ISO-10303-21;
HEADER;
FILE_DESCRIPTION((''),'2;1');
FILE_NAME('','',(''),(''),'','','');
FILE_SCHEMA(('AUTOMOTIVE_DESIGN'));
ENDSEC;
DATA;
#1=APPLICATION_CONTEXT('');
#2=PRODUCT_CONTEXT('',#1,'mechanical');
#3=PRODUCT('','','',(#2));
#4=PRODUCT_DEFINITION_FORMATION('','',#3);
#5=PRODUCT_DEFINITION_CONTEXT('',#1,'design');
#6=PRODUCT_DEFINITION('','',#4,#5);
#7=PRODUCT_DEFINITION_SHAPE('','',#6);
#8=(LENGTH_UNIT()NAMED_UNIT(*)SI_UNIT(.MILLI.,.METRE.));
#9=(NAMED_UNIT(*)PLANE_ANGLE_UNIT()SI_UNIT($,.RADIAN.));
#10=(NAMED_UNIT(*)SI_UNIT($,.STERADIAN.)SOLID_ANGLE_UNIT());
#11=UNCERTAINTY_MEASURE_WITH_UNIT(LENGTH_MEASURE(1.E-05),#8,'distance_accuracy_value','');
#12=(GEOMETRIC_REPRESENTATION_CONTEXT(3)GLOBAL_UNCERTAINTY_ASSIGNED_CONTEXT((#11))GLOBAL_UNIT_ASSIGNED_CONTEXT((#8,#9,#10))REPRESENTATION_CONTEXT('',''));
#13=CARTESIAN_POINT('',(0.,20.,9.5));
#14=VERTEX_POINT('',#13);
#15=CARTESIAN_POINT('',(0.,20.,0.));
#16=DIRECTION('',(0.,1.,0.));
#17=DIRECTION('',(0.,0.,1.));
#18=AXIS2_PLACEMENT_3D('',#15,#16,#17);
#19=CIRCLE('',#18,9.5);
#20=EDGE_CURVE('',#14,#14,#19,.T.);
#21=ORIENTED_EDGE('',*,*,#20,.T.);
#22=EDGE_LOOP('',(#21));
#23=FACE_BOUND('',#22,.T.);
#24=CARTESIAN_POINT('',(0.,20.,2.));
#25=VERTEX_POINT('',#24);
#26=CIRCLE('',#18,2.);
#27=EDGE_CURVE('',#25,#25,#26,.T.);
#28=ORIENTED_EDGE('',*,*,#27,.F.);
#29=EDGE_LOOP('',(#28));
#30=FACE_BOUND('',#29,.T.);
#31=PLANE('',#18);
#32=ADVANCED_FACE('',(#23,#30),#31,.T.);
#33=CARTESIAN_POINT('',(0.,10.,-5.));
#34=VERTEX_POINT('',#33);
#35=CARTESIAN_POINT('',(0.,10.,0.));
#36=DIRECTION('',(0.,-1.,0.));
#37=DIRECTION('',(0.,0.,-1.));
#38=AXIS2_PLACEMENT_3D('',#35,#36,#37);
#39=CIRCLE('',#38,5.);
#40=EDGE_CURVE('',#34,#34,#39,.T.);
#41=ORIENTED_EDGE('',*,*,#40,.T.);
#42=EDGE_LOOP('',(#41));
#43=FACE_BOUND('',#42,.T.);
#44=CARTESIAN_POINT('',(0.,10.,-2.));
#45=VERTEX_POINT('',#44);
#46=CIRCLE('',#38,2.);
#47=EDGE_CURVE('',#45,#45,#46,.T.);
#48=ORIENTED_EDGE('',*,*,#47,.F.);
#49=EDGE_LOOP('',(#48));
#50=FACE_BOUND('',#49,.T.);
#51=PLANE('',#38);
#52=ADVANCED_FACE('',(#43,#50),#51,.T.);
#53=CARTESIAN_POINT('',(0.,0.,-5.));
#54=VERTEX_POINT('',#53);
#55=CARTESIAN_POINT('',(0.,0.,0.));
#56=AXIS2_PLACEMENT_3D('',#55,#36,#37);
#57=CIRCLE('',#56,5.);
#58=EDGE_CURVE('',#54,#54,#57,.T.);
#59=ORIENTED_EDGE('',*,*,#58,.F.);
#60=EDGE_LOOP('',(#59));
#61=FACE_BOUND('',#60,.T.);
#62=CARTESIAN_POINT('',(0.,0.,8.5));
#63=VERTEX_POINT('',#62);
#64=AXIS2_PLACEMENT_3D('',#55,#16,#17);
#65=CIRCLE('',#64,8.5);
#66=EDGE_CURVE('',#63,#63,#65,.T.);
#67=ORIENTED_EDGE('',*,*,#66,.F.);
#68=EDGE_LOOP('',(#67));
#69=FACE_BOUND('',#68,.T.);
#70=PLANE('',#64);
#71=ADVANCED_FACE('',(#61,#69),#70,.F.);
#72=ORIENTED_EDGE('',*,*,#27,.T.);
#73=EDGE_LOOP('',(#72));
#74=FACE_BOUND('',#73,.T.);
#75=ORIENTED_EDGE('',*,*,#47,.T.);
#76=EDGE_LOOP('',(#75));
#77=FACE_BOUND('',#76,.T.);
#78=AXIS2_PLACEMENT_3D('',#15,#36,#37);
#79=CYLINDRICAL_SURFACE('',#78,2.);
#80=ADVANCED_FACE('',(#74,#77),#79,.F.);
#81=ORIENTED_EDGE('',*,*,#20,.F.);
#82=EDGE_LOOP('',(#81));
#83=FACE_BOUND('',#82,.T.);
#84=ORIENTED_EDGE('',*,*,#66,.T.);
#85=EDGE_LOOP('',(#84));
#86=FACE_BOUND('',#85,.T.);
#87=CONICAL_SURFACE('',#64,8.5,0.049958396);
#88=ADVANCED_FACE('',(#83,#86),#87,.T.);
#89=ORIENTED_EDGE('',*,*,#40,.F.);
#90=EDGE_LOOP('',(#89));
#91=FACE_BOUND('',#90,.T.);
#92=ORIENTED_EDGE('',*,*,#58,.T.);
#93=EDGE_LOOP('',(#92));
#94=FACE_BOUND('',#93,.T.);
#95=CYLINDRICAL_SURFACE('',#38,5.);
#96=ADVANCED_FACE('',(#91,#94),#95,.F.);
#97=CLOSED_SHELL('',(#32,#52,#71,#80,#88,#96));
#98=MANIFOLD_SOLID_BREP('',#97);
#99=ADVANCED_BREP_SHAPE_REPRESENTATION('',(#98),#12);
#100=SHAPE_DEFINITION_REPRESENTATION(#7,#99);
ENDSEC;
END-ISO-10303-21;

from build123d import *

# Parameters (mm, degrees)
SKETCH1_R           = 9.5
SKETCH1_R_2         = 2
BOSS_EXTRUDE1_DEPTH = 20
SKETCH3_R           = 5
CUT_EXTRUDE1_DEPTH  = 10


with BuildPart() as part:
    # Sketch1 → Boss-Extrude1 (new body)
    with BuildSketch(Plane(origin=(0, 0, 0), x_dir=(1, 0, 0), z_dir=(0, 1, 0))):
        with Locations(Location((0, 0, 0), (0, 0, 270))):
            Circle(SKETCH1_R)
        with Locations(Location((0, 0, 0), (0, 0, 270))):
            Circle(SKETCH1_R_2, mode=Mode.SUBTRACT)
    extrude(amount=BOSS_EXTRUDE1_DEPTH)

    # Sketch2 → Cut-Revolve1 (revolve, cut)
    with BuildSketch(Plane.XY, mode=Mode.PRIVATE) as cut_revolve1_sk:
        Polygon((-9.5, 20), (-8.5, 0), (-9.5, 0), align=None)
    revolve(cut_revolve1_sk.sketch.rotate(Axis((0, 20, 0), (0, -1, 0)), 270), axis=Axis((0, 20, 0), (0, -1, 0)), mode=Mode.SUBTRACT)

    # Sketch3 → Cut-Extrude1 (cut)
    with BuildSketch(Plane.XZ):
        with Locations(Location((0, 0, 0), (0, 0, 270))):
            Circle(SKETCH3_R)
    extrude(amount=-CUT_EXTRUDE1_DEPTH, mode=Mode.SUBTRACT)


solid = part.part
